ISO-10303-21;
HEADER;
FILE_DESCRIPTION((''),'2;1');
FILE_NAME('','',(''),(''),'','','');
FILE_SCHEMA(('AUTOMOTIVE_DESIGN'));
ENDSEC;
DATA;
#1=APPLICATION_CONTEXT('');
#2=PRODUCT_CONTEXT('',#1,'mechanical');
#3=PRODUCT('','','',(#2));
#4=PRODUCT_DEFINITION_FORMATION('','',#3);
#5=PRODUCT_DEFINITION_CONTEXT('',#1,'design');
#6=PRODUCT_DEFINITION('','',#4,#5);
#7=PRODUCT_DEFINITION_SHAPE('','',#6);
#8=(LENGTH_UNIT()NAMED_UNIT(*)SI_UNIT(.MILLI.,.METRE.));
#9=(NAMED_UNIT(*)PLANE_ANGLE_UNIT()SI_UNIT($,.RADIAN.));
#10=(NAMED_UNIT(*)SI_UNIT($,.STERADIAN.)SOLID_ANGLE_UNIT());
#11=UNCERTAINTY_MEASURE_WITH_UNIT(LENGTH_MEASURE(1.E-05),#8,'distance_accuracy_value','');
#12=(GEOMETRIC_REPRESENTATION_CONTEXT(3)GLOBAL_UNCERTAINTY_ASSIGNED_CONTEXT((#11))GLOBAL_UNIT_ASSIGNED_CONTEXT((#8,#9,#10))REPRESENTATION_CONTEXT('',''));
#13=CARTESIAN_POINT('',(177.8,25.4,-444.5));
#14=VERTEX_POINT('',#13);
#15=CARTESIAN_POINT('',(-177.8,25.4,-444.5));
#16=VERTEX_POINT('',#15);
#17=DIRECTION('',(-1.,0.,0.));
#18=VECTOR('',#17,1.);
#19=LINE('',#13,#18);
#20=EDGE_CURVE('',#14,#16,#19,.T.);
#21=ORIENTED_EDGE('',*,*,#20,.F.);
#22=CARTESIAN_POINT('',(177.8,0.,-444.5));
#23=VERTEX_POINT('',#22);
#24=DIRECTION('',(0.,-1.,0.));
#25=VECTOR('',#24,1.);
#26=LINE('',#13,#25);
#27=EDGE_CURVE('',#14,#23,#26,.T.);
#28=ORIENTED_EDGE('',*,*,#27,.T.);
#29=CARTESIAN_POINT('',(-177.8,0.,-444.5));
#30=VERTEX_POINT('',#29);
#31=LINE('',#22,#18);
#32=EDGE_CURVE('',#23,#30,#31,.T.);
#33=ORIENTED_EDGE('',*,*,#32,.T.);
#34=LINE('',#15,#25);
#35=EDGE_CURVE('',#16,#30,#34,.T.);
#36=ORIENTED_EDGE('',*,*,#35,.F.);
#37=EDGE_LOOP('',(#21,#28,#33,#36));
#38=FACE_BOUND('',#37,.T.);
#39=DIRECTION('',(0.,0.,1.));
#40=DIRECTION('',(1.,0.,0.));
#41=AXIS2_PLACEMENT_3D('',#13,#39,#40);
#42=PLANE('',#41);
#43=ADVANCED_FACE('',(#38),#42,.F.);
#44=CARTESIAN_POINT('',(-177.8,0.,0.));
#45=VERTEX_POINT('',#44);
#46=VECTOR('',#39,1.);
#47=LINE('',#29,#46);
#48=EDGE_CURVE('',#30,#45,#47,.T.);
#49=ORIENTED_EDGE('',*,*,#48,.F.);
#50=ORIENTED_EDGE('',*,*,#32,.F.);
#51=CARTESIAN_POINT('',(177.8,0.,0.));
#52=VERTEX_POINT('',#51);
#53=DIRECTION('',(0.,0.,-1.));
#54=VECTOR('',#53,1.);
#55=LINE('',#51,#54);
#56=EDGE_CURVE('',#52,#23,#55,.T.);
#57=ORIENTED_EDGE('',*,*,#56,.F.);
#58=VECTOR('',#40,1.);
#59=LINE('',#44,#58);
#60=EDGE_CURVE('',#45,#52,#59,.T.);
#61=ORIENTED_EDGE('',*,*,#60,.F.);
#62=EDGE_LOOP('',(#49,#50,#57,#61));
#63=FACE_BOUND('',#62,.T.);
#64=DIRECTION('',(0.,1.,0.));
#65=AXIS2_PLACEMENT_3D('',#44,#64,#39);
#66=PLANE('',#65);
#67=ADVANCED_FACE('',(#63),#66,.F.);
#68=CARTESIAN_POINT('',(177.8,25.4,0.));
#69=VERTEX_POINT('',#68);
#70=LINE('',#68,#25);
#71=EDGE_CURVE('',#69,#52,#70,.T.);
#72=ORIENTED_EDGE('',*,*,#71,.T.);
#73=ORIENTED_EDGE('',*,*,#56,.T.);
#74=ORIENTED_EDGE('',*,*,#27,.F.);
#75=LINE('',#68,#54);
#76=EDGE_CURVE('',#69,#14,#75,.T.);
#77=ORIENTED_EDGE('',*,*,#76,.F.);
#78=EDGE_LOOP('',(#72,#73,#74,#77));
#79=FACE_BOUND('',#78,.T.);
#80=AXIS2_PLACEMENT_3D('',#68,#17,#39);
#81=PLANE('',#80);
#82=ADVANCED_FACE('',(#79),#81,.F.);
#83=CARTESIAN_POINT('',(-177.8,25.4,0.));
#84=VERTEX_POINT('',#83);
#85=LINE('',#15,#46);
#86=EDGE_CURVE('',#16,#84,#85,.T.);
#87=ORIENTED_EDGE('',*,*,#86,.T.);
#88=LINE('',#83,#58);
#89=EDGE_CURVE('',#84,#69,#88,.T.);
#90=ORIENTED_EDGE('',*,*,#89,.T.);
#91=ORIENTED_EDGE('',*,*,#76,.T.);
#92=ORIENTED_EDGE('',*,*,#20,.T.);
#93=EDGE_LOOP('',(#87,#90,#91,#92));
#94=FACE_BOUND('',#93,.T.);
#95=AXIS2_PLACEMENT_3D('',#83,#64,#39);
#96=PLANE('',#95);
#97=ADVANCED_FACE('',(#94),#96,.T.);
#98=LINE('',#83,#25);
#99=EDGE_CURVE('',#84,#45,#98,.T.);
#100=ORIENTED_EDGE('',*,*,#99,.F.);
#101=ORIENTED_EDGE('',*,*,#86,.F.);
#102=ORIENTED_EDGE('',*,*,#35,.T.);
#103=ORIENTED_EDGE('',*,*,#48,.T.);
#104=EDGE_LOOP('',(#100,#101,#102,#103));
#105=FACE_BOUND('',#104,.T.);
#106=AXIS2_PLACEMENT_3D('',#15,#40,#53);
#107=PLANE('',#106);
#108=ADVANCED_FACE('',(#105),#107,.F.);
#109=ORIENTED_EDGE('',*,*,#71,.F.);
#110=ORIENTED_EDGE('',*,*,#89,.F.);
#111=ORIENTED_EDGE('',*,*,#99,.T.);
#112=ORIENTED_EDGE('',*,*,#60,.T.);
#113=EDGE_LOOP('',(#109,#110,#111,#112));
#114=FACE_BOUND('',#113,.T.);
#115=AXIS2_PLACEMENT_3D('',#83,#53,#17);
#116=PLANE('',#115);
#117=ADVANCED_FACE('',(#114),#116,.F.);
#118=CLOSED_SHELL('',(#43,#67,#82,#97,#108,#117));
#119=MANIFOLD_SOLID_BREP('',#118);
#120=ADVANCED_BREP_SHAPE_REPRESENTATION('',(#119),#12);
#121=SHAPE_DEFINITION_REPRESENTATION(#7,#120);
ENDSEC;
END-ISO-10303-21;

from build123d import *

# Parameters (mm, degrees)
SKETCH2_W      = 355.6
SKETCH2_H      = 444.5
EXTRUDE2_DEPTH = 25.4


with BuildPart() as part:
    # Sketch2 → Extrude2 (new body)
    with BuildSketch(Plane(origin=(0, 0, 0), x_dir=(1, 0, 0), z_dir=(0, 1, 0))):
        with Locations((0, 222.25)):
            Rectangle(SKETCH2_W, SKETCH2_H)
    extrude(amount=EXTRUDE2_DEPTH)


solid = part.part
